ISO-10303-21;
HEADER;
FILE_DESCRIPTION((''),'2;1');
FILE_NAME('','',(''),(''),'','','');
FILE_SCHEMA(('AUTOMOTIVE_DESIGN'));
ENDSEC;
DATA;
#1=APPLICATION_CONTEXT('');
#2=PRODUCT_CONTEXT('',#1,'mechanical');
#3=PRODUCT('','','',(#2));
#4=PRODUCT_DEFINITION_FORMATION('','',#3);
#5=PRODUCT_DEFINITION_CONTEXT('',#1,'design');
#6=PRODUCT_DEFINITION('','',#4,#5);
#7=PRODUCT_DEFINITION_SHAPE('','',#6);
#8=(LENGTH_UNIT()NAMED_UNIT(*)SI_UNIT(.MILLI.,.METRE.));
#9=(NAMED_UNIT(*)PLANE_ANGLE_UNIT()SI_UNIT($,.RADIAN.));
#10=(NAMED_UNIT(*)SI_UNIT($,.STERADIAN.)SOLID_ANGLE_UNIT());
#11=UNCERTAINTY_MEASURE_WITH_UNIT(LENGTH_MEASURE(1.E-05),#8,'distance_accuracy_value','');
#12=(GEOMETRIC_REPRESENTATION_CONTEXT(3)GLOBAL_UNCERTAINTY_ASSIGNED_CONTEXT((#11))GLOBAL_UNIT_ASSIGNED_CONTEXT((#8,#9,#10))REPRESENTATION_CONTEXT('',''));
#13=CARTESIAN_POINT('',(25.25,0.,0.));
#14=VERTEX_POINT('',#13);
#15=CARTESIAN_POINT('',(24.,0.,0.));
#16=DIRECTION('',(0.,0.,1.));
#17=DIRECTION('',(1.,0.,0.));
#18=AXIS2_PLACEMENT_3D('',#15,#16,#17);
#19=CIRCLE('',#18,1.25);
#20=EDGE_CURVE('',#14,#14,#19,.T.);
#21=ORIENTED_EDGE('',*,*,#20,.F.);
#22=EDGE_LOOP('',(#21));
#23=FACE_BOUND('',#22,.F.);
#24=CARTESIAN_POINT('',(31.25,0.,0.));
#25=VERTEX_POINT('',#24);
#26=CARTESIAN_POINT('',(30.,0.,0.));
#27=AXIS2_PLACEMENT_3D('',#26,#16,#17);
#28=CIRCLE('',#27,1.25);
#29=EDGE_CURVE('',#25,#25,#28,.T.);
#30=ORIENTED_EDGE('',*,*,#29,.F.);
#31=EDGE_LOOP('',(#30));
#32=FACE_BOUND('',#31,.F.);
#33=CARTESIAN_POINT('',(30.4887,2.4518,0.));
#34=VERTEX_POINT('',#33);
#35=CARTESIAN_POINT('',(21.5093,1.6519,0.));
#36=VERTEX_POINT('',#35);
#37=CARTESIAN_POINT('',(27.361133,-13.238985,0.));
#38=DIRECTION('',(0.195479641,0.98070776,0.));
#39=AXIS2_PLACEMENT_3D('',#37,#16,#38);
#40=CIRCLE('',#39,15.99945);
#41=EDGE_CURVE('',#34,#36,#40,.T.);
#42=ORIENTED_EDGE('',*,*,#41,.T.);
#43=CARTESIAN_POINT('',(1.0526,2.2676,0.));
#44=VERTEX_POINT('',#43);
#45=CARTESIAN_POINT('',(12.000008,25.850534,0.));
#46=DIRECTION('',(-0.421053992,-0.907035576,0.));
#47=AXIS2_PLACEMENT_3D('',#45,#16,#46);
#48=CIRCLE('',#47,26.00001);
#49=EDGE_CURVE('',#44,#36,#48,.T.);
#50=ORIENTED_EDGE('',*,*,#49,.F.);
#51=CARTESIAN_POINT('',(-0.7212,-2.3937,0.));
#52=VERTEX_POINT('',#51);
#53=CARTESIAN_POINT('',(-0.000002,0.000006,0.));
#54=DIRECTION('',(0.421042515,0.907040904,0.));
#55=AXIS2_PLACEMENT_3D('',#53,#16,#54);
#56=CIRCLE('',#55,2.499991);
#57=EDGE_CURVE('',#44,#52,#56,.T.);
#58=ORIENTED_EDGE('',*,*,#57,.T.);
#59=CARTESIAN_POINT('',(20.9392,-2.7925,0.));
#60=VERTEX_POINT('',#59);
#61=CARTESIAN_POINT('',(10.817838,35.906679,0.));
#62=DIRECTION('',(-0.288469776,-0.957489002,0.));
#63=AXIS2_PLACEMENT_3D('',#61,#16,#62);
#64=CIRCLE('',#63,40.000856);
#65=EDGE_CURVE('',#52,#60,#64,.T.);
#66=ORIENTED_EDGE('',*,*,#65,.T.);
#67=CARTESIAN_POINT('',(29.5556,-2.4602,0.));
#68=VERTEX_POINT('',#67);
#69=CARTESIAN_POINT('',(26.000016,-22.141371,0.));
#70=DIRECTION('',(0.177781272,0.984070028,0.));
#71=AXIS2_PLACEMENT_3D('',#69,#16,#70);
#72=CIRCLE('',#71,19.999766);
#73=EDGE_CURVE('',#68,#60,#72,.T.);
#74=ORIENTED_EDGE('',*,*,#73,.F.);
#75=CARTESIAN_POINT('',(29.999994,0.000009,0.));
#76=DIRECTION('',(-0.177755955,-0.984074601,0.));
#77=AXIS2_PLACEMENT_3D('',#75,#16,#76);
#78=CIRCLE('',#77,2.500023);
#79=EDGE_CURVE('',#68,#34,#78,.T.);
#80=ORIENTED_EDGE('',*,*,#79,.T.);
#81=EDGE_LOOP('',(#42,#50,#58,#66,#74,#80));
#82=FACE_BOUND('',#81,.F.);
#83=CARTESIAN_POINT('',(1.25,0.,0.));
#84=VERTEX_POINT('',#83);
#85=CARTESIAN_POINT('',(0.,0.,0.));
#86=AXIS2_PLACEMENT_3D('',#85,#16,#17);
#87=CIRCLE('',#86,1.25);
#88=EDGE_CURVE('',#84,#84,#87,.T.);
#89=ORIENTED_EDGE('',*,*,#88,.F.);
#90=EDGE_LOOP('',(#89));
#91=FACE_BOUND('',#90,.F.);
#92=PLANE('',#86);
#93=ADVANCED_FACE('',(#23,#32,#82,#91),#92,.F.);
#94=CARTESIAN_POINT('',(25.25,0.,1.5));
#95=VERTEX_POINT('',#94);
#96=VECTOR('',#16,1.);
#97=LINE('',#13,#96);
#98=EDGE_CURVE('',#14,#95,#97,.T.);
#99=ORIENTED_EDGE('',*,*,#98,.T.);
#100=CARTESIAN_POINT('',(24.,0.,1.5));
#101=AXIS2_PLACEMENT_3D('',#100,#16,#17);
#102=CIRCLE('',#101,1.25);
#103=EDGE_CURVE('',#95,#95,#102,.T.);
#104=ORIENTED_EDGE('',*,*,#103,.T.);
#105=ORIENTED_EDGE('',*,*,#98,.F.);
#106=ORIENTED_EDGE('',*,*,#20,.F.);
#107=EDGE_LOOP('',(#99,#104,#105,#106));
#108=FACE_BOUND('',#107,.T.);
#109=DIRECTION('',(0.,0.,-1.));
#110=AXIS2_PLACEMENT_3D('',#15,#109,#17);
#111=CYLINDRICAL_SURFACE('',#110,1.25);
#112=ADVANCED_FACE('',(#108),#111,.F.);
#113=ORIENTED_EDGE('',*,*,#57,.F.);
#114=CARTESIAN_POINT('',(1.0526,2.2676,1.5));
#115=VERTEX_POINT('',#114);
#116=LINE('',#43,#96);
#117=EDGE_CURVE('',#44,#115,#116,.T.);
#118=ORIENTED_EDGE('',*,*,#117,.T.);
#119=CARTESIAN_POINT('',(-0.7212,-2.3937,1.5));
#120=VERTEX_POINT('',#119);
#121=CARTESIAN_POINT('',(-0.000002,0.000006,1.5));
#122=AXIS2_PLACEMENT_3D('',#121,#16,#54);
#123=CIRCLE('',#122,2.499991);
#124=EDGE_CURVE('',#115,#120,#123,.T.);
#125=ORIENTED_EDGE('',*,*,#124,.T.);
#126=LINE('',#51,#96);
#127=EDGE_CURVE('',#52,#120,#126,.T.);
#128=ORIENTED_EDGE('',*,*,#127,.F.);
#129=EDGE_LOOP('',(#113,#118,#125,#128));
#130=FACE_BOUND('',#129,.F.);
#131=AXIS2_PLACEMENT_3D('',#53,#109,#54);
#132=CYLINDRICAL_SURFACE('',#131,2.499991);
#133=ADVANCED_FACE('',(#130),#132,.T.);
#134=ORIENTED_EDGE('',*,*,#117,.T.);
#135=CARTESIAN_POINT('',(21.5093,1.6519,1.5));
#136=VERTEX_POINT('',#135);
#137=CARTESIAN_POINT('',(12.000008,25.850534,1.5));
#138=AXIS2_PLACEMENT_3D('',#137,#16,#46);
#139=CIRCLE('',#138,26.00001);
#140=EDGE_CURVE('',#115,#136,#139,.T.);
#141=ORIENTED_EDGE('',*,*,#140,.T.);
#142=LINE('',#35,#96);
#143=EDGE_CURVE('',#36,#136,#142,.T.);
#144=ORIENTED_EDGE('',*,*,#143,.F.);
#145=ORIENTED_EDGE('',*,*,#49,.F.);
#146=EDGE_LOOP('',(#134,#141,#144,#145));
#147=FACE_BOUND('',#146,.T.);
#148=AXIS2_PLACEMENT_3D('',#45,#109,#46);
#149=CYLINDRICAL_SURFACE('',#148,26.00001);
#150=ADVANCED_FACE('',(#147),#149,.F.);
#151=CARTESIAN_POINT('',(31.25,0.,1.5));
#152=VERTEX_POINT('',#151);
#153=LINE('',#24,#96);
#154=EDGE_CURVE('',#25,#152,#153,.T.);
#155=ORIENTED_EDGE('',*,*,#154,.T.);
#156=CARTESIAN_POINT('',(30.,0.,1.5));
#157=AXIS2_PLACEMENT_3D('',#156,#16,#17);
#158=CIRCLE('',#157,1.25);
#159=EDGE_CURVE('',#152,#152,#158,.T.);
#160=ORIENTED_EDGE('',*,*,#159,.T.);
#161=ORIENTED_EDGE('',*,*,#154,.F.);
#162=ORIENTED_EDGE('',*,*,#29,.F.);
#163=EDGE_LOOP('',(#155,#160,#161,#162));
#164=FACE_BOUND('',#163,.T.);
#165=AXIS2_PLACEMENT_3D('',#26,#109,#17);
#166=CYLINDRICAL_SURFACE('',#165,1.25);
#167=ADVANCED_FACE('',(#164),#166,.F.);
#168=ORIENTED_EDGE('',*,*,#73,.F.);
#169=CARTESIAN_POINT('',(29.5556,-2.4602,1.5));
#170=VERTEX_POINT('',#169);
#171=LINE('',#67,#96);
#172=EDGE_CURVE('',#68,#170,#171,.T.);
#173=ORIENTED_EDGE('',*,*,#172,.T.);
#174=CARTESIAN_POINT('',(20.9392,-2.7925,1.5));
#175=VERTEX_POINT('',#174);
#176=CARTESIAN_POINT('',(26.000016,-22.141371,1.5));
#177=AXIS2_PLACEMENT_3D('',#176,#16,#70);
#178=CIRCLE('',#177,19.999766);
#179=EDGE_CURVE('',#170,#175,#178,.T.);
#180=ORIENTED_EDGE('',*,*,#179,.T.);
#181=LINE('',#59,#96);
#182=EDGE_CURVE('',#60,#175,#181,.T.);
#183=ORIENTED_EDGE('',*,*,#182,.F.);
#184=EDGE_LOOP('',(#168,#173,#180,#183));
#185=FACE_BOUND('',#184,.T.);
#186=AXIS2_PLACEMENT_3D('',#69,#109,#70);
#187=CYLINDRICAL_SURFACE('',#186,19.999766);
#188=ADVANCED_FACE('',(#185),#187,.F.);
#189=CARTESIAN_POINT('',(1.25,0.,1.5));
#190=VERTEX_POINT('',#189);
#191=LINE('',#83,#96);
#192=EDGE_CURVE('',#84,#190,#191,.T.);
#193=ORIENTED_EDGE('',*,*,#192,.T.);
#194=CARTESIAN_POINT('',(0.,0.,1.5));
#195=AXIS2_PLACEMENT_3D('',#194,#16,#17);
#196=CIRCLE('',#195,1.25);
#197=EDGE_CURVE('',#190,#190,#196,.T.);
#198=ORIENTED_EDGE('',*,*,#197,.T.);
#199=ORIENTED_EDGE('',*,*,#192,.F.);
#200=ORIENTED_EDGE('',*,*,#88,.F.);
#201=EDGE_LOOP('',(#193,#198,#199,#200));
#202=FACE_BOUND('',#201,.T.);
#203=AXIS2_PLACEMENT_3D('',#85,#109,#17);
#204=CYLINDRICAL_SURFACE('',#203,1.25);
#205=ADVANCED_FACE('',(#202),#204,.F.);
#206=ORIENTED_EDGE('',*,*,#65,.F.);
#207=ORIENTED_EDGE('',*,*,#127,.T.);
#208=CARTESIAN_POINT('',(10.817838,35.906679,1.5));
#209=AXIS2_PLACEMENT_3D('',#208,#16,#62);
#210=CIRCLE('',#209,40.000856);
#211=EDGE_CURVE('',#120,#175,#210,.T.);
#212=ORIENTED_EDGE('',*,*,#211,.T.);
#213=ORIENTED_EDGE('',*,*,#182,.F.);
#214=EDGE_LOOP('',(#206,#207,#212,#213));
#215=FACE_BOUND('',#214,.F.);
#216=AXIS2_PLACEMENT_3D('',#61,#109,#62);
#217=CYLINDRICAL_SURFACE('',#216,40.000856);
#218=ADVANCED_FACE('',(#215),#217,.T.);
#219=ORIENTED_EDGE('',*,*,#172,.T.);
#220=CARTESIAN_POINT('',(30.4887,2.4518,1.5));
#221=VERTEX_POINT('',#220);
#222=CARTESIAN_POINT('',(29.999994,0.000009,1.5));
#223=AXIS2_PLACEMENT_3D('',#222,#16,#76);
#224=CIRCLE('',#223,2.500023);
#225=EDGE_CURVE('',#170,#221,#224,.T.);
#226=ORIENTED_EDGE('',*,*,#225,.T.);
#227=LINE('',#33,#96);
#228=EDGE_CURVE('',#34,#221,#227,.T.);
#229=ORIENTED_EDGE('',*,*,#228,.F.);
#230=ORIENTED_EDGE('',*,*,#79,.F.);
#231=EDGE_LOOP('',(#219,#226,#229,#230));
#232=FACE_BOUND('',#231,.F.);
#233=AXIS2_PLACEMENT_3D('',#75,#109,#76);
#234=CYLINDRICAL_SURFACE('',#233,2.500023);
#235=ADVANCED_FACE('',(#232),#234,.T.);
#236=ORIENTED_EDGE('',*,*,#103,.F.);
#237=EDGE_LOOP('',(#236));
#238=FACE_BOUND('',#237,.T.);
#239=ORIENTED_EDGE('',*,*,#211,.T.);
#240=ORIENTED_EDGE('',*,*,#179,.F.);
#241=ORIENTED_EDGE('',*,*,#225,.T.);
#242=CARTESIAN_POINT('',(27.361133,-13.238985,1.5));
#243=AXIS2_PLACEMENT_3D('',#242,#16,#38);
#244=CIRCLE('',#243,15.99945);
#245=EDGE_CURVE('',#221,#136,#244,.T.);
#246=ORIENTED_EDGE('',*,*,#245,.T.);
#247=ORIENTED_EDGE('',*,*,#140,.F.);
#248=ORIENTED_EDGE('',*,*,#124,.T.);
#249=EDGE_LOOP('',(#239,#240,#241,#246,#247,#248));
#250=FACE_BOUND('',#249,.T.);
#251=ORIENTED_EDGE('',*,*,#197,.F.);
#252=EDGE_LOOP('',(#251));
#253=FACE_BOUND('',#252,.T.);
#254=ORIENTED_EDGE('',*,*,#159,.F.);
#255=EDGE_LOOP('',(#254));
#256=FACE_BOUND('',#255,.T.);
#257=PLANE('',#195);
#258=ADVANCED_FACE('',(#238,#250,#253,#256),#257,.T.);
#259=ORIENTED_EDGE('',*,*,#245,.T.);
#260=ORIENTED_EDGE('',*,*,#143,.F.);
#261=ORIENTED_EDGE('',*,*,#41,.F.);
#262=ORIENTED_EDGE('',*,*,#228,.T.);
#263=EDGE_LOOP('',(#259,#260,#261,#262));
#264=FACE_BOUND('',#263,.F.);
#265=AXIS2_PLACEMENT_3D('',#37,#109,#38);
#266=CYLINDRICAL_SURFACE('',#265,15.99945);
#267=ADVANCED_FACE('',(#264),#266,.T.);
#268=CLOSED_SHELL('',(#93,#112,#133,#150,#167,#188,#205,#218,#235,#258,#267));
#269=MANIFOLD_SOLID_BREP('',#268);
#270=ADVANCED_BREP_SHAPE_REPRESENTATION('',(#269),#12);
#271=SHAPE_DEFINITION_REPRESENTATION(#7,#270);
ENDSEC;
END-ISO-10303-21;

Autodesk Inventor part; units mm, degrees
ref_plane "YZ Plane" through (0, 0, 0) normal (1, 0, 0) x (0, 1, 0)
ref_plane "XZ Plane" through (0, 0, 0) normal (0, 1, 0) x (-1, 0, 0)
ref_plane "XY Plane" through (0, 0, 0) normal (0, 0, 1) x (1, 0, 0)
sketch "Sketch1" plane through (0, 0, 0) normal (0, 0, 1) x (1, 0, 0)
  circle A0 centre (0, 0) radius 1.25
  line L0 (0, 0) -> (24, 0) construction
  circle A1 centre (24, 0) radius 1.25
  arc A2 (1.0526, 2.2676) -> (-0.7212, -2.3937) centre (0, 0) ccw
  circle A3 centre (30, 0) radius 1.25
  line L1 (17.5, 0) -> (17.5, 10) construction
  arc A4 (1.0526, 2.2676) -> (21.5093, 1.6519) centre (12, 25.8505) ccw
  arc A5 (30.4887, 2.4518) -> (21.5093, 1.6519) centre (27.3611, -13.2396) ccw
  arc A6 (29.5556, -2.4602) -> (30.4887, 2.4518) centre (30, 0) ccw
  arc A7 (-0.7212, -2.3937) -> (20.9392, -2.7925) centre (10.8177, 35.9058) ccw
  arc A8 (29.5556, -2.4602) -> (20.9392, -2.7925) centre (26, -22.1416) ccw
  dimension "d0" = 2.5
  dimension "d1" = 24
  dimension "d8" = 5
  dimension "d16" = 30
  dimension "d17" = 10
  dimension "d18" = 17.5
  dimension "d20" = 5
  dimension "d21" = 26
  dimension "d22" = 40
  dimension "d23" = 16
  dimension "d24" = 20
  dimension "d25" = 12
  dimension "d26" = 26
extrude "Extrusion1" add sketch "Sketch1" along normal blind 1.5
properties part number "panto_linkagedi"
